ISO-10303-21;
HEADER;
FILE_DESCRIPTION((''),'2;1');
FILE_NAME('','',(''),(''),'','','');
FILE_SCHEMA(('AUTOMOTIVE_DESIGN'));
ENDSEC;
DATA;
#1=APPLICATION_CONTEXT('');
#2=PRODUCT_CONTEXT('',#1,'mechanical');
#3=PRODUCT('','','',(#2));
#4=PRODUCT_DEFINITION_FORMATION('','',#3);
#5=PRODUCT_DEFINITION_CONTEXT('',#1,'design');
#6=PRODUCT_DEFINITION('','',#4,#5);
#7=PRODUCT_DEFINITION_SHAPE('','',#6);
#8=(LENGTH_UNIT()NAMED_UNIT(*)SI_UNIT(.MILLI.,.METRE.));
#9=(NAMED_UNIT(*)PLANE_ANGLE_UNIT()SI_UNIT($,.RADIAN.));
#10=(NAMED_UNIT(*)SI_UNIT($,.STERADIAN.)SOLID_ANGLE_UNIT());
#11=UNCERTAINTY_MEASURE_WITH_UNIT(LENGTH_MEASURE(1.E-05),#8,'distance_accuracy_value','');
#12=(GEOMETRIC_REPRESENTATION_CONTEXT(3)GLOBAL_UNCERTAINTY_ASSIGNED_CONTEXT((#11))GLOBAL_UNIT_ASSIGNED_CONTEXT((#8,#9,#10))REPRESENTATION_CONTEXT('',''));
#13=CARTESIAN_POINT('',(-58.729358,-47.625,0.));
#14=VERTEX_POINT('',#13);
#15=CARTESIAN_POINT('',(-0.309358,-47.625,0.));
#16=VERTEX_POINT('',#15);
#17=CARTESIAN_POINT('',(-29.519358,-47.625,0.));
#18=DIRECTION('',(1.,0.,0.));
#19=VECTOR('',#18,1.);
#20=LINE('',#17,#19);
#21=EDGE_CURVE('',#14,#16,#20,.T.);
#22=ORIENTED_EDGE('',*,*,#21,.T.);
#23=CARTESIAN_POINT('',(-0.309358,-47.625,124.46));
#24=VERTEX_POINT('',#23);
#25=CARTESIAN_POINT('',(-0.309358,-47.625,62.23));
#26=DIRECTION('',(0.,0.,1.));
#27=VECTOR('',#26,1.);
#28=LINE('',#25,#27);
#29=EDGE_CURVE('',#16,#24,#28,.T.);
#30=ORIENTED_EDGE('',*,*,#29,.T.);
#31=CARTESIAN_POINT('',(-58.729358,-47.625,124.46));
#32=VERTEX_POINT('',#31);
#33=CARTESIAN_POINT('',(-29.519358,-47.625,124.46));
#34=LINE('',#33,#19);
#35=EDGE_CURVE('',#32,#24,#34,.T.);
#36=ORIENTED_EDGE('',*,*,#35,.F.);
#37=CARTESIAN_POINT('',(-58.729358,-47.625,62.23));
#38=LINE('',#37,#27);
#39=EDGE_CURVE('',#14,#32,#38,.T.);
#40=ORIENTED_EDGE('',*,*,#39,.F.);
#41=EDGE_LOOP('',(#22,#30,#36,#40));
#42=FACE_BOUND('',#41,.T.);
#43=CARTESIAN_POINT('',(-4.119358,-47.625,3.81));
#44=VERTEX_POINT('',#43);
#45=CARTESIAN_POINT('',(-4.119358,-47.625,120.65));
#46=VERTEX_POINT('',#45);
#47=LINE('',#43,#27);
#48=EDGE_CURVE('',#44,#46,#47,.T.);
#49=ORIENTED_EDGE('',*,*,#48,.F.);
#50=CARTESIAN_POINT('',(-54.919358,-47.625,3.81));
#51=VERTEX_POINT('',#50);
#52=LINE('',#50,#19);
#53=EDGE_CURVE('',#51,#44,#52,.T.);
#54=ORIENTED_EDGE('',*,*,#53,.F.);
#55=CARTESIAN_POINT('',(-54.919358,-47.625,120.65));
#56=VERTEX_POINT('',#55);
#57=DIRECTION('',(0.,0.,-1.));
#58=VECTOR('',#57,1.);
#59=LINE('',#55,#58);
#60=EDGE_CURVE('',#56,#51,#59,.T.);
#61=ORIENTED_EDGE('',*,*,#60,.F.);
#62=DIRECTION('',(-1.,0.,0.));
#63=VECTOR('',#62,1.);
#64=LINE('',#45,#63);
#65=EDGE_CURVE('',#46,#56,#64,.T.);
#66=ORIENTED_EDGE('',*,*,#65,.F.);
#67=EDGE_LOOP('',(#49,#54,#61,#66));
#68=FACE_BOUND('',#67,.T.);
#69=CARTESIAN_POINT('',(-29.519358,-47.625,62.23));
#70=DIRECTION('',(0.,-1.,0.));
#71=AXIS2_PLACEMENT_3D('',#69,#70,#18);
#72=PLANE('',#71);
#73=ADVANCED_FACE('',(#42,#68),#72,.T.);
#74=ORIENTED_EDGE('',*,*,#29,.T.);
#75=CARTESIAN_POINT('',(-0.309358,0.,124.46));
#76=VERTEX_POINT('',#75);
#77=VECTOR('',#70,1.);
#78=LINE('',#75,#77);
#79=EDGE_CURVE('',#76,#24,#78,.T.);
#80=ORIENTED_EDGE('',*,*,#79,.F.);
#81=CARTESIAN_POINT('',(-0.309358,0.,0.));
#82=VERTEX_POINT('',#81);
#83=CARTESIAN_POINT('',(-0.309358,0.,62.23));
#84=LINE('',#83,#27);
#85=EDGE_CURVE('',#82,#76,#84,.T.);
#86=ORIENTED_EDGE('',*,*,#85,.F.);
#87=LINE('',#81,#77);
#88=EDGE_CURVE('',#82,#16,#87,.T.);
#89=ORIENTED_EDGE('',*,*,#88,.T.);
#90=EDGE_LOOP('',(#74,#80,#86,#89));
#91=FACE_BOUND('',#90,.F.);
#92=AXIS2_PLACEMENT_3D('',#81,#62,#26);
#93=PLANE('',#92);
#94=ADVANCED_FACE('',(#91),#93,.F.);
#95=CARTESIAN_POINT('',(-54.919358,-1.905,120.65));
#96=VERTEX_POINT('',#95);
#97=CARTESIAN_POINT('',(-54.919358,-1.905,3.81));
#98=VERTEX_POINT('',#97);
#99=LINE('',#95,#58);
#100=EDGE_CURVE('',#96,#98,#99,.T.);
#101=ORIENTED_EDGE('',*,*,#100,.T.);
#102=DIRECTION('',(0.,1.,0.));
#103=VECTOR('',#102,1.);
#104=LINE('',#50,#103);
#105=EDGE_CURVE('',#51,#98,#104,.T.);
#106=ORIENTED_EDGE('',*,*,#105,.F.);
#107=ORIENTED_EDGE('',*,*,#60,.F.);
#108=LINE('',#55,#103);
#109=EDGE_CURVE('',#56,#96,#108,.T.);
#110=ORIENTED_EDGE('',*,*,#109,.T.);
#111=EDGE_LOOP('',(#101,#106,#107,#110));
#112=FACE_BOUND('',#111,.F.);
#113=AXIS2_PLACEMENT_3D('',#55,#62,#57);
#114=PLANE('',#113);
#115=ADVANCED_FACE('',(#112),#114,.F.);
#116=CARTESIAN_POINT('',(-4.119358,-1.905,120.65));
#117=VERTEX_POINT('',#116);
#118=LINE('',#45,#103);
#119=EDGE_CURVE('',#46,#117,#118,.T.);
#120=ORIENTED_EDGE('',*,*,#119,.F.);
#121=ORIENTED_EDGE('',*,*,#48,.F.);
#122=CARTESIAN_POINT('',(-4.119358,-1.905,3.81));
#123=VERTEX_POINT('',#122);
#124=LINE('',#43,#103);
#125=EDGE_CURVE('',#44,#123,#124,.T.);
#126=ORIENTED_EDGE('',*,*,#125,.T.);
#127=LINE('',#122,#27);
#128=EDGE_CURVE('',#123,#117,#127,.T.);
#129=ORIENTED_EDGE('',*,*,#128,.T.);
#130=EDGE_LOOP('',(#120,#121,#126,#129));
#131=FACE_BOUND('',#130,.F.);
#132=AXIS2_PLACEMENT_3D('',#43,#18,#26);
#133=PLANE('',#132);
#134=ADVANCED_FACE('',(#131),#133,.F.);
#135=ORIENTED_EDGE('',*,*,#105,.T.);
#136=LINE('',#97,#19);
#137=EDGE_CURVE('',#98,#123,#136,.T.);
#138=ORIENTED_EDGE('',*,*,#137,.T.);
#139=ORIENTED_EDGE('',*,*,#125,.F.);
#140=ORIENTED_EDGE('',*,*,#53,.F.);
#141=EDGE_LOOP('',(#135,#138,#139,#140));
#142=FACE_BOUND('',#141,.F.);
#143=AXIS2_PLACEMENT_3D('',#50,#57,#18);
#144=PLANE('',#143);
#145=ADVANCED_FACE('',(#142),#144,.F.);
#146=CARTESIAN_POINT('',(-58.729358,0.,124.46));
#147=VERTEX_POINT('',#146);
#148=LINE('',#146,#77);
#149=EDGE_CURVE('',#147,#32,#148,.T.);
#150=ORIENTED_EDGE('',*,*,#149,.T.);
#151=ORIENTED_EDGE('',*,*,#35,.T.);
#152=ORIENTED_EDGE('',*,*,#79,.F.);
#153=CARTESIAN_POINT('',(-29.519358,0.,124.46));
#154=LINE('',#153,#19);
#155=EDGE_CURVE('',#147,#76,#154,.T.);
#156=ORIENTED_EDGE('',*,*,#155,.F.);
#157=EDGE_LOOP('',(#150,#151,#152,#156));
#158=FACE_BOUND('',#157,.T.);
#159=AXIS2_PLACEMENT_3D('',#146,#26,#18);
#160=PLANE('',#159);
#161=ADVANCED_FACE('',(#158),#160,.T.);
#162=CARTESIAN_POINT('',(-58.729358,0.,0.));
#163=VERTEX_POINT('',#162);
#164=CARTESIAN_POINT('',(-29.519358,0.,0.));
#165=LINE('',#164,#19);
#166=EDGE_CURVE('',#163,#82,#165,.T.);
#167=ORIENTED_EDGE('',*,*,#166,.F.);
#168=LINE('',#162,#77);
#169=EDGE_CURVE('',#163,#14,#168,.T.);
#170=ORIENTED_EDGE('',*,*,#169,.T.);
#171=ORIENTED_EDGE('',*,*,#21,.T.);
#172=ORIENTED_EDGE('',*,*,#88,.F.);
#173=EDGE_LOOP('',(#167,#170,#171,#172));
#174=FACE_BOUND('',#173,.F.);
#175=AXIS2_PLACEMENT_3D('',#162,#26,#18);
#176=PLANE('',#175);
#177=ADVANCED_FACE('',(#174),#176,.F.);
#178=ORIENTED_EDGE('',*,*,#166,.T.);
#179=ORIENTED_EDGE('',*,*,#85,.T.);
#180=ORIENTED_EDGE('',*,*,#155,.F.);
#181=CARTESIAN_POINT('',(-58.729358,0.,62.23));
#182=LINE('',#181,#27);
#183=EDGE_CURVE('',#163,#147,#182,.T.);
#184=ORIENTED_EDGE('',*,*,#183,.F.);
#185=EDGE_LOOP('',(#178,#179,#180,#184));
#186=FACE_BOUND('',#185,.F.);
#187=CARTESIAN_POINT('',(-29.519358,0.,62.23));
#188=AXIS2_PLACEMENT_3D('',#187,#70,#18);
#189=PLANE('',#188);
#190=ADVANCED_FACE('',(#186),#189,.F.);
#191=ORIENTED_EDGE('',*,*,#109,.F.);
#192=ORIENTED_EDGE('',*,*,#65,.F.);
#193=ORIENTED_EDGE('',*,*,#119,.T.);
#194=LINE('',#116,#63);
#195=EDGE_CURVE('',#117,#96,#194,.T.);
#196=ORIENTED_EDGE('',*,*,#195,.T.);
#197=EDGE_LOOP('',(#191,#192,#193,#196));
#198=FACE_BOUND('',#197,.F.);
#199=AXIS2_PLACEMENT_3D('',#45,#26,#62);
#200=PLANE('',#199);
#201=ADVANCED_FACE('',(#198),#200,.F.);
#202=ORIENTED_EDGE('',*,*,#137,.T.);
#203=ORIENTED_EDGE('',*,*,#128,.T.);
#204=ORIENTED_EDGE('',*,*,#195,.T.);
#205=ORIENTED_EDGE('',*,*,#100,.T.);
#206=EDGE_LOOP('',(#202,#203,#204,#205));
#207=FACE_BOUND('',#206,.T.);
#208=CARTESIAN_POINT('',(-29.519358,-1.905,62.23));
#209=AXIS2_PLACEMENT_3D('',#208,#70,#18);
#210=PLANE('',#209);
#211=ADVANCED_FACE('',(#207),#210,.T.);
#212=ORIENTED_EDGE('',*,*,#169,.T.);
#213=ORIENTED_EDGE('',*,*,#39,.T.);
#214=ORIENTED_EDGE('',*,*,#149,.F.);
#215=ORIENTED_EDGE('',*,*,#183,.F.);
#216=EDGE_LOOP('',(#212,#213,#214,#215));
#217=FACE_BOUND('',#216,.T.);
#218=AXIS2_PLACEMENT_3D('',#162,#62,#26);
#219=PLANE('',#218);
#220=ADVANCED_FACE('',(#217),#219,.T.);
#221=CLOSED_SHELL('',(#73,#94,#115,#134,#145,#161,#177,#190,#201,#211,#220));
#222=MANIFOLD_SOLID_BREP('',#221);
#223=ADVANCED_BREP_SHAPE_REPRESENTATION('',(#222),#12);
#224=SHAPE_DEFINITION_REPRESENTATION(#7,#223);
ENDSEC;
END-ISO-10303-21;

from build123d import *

# Parameters (mm, degrees)
F0_W     = 58.42
F0_H     = 124.46
F1_DEPTH = 47.625
F3_DEPTH = 45.72


with BuildPart() as f1:
    # F0 (on Front) → F1 (new body)
    with BuildSketch(Plane.XZ):
        with Locations((-29.519358, 62.23)):
            Rectangle(F0_W, F0_H)
    extrude(amount=F1_DEPTH)

    # F2 (on face) → F3 (cut)
    with BuildSketch(Plane.XZ.offset(47.625)):
        Polygon((-4.119358, 120.65), (-48.44141, 120.65), (-54.919358, 120.65), (-54.919358, 110.145681), (-54.919358, 3.81), (-48.441406, 3.81), (-4.119358, 3.81), (-4.119358, 32.373562), align=None)
    extrude(amount=-F3_DEPTH, mode=Mode.SUBTRACT)


solid = f1.part
